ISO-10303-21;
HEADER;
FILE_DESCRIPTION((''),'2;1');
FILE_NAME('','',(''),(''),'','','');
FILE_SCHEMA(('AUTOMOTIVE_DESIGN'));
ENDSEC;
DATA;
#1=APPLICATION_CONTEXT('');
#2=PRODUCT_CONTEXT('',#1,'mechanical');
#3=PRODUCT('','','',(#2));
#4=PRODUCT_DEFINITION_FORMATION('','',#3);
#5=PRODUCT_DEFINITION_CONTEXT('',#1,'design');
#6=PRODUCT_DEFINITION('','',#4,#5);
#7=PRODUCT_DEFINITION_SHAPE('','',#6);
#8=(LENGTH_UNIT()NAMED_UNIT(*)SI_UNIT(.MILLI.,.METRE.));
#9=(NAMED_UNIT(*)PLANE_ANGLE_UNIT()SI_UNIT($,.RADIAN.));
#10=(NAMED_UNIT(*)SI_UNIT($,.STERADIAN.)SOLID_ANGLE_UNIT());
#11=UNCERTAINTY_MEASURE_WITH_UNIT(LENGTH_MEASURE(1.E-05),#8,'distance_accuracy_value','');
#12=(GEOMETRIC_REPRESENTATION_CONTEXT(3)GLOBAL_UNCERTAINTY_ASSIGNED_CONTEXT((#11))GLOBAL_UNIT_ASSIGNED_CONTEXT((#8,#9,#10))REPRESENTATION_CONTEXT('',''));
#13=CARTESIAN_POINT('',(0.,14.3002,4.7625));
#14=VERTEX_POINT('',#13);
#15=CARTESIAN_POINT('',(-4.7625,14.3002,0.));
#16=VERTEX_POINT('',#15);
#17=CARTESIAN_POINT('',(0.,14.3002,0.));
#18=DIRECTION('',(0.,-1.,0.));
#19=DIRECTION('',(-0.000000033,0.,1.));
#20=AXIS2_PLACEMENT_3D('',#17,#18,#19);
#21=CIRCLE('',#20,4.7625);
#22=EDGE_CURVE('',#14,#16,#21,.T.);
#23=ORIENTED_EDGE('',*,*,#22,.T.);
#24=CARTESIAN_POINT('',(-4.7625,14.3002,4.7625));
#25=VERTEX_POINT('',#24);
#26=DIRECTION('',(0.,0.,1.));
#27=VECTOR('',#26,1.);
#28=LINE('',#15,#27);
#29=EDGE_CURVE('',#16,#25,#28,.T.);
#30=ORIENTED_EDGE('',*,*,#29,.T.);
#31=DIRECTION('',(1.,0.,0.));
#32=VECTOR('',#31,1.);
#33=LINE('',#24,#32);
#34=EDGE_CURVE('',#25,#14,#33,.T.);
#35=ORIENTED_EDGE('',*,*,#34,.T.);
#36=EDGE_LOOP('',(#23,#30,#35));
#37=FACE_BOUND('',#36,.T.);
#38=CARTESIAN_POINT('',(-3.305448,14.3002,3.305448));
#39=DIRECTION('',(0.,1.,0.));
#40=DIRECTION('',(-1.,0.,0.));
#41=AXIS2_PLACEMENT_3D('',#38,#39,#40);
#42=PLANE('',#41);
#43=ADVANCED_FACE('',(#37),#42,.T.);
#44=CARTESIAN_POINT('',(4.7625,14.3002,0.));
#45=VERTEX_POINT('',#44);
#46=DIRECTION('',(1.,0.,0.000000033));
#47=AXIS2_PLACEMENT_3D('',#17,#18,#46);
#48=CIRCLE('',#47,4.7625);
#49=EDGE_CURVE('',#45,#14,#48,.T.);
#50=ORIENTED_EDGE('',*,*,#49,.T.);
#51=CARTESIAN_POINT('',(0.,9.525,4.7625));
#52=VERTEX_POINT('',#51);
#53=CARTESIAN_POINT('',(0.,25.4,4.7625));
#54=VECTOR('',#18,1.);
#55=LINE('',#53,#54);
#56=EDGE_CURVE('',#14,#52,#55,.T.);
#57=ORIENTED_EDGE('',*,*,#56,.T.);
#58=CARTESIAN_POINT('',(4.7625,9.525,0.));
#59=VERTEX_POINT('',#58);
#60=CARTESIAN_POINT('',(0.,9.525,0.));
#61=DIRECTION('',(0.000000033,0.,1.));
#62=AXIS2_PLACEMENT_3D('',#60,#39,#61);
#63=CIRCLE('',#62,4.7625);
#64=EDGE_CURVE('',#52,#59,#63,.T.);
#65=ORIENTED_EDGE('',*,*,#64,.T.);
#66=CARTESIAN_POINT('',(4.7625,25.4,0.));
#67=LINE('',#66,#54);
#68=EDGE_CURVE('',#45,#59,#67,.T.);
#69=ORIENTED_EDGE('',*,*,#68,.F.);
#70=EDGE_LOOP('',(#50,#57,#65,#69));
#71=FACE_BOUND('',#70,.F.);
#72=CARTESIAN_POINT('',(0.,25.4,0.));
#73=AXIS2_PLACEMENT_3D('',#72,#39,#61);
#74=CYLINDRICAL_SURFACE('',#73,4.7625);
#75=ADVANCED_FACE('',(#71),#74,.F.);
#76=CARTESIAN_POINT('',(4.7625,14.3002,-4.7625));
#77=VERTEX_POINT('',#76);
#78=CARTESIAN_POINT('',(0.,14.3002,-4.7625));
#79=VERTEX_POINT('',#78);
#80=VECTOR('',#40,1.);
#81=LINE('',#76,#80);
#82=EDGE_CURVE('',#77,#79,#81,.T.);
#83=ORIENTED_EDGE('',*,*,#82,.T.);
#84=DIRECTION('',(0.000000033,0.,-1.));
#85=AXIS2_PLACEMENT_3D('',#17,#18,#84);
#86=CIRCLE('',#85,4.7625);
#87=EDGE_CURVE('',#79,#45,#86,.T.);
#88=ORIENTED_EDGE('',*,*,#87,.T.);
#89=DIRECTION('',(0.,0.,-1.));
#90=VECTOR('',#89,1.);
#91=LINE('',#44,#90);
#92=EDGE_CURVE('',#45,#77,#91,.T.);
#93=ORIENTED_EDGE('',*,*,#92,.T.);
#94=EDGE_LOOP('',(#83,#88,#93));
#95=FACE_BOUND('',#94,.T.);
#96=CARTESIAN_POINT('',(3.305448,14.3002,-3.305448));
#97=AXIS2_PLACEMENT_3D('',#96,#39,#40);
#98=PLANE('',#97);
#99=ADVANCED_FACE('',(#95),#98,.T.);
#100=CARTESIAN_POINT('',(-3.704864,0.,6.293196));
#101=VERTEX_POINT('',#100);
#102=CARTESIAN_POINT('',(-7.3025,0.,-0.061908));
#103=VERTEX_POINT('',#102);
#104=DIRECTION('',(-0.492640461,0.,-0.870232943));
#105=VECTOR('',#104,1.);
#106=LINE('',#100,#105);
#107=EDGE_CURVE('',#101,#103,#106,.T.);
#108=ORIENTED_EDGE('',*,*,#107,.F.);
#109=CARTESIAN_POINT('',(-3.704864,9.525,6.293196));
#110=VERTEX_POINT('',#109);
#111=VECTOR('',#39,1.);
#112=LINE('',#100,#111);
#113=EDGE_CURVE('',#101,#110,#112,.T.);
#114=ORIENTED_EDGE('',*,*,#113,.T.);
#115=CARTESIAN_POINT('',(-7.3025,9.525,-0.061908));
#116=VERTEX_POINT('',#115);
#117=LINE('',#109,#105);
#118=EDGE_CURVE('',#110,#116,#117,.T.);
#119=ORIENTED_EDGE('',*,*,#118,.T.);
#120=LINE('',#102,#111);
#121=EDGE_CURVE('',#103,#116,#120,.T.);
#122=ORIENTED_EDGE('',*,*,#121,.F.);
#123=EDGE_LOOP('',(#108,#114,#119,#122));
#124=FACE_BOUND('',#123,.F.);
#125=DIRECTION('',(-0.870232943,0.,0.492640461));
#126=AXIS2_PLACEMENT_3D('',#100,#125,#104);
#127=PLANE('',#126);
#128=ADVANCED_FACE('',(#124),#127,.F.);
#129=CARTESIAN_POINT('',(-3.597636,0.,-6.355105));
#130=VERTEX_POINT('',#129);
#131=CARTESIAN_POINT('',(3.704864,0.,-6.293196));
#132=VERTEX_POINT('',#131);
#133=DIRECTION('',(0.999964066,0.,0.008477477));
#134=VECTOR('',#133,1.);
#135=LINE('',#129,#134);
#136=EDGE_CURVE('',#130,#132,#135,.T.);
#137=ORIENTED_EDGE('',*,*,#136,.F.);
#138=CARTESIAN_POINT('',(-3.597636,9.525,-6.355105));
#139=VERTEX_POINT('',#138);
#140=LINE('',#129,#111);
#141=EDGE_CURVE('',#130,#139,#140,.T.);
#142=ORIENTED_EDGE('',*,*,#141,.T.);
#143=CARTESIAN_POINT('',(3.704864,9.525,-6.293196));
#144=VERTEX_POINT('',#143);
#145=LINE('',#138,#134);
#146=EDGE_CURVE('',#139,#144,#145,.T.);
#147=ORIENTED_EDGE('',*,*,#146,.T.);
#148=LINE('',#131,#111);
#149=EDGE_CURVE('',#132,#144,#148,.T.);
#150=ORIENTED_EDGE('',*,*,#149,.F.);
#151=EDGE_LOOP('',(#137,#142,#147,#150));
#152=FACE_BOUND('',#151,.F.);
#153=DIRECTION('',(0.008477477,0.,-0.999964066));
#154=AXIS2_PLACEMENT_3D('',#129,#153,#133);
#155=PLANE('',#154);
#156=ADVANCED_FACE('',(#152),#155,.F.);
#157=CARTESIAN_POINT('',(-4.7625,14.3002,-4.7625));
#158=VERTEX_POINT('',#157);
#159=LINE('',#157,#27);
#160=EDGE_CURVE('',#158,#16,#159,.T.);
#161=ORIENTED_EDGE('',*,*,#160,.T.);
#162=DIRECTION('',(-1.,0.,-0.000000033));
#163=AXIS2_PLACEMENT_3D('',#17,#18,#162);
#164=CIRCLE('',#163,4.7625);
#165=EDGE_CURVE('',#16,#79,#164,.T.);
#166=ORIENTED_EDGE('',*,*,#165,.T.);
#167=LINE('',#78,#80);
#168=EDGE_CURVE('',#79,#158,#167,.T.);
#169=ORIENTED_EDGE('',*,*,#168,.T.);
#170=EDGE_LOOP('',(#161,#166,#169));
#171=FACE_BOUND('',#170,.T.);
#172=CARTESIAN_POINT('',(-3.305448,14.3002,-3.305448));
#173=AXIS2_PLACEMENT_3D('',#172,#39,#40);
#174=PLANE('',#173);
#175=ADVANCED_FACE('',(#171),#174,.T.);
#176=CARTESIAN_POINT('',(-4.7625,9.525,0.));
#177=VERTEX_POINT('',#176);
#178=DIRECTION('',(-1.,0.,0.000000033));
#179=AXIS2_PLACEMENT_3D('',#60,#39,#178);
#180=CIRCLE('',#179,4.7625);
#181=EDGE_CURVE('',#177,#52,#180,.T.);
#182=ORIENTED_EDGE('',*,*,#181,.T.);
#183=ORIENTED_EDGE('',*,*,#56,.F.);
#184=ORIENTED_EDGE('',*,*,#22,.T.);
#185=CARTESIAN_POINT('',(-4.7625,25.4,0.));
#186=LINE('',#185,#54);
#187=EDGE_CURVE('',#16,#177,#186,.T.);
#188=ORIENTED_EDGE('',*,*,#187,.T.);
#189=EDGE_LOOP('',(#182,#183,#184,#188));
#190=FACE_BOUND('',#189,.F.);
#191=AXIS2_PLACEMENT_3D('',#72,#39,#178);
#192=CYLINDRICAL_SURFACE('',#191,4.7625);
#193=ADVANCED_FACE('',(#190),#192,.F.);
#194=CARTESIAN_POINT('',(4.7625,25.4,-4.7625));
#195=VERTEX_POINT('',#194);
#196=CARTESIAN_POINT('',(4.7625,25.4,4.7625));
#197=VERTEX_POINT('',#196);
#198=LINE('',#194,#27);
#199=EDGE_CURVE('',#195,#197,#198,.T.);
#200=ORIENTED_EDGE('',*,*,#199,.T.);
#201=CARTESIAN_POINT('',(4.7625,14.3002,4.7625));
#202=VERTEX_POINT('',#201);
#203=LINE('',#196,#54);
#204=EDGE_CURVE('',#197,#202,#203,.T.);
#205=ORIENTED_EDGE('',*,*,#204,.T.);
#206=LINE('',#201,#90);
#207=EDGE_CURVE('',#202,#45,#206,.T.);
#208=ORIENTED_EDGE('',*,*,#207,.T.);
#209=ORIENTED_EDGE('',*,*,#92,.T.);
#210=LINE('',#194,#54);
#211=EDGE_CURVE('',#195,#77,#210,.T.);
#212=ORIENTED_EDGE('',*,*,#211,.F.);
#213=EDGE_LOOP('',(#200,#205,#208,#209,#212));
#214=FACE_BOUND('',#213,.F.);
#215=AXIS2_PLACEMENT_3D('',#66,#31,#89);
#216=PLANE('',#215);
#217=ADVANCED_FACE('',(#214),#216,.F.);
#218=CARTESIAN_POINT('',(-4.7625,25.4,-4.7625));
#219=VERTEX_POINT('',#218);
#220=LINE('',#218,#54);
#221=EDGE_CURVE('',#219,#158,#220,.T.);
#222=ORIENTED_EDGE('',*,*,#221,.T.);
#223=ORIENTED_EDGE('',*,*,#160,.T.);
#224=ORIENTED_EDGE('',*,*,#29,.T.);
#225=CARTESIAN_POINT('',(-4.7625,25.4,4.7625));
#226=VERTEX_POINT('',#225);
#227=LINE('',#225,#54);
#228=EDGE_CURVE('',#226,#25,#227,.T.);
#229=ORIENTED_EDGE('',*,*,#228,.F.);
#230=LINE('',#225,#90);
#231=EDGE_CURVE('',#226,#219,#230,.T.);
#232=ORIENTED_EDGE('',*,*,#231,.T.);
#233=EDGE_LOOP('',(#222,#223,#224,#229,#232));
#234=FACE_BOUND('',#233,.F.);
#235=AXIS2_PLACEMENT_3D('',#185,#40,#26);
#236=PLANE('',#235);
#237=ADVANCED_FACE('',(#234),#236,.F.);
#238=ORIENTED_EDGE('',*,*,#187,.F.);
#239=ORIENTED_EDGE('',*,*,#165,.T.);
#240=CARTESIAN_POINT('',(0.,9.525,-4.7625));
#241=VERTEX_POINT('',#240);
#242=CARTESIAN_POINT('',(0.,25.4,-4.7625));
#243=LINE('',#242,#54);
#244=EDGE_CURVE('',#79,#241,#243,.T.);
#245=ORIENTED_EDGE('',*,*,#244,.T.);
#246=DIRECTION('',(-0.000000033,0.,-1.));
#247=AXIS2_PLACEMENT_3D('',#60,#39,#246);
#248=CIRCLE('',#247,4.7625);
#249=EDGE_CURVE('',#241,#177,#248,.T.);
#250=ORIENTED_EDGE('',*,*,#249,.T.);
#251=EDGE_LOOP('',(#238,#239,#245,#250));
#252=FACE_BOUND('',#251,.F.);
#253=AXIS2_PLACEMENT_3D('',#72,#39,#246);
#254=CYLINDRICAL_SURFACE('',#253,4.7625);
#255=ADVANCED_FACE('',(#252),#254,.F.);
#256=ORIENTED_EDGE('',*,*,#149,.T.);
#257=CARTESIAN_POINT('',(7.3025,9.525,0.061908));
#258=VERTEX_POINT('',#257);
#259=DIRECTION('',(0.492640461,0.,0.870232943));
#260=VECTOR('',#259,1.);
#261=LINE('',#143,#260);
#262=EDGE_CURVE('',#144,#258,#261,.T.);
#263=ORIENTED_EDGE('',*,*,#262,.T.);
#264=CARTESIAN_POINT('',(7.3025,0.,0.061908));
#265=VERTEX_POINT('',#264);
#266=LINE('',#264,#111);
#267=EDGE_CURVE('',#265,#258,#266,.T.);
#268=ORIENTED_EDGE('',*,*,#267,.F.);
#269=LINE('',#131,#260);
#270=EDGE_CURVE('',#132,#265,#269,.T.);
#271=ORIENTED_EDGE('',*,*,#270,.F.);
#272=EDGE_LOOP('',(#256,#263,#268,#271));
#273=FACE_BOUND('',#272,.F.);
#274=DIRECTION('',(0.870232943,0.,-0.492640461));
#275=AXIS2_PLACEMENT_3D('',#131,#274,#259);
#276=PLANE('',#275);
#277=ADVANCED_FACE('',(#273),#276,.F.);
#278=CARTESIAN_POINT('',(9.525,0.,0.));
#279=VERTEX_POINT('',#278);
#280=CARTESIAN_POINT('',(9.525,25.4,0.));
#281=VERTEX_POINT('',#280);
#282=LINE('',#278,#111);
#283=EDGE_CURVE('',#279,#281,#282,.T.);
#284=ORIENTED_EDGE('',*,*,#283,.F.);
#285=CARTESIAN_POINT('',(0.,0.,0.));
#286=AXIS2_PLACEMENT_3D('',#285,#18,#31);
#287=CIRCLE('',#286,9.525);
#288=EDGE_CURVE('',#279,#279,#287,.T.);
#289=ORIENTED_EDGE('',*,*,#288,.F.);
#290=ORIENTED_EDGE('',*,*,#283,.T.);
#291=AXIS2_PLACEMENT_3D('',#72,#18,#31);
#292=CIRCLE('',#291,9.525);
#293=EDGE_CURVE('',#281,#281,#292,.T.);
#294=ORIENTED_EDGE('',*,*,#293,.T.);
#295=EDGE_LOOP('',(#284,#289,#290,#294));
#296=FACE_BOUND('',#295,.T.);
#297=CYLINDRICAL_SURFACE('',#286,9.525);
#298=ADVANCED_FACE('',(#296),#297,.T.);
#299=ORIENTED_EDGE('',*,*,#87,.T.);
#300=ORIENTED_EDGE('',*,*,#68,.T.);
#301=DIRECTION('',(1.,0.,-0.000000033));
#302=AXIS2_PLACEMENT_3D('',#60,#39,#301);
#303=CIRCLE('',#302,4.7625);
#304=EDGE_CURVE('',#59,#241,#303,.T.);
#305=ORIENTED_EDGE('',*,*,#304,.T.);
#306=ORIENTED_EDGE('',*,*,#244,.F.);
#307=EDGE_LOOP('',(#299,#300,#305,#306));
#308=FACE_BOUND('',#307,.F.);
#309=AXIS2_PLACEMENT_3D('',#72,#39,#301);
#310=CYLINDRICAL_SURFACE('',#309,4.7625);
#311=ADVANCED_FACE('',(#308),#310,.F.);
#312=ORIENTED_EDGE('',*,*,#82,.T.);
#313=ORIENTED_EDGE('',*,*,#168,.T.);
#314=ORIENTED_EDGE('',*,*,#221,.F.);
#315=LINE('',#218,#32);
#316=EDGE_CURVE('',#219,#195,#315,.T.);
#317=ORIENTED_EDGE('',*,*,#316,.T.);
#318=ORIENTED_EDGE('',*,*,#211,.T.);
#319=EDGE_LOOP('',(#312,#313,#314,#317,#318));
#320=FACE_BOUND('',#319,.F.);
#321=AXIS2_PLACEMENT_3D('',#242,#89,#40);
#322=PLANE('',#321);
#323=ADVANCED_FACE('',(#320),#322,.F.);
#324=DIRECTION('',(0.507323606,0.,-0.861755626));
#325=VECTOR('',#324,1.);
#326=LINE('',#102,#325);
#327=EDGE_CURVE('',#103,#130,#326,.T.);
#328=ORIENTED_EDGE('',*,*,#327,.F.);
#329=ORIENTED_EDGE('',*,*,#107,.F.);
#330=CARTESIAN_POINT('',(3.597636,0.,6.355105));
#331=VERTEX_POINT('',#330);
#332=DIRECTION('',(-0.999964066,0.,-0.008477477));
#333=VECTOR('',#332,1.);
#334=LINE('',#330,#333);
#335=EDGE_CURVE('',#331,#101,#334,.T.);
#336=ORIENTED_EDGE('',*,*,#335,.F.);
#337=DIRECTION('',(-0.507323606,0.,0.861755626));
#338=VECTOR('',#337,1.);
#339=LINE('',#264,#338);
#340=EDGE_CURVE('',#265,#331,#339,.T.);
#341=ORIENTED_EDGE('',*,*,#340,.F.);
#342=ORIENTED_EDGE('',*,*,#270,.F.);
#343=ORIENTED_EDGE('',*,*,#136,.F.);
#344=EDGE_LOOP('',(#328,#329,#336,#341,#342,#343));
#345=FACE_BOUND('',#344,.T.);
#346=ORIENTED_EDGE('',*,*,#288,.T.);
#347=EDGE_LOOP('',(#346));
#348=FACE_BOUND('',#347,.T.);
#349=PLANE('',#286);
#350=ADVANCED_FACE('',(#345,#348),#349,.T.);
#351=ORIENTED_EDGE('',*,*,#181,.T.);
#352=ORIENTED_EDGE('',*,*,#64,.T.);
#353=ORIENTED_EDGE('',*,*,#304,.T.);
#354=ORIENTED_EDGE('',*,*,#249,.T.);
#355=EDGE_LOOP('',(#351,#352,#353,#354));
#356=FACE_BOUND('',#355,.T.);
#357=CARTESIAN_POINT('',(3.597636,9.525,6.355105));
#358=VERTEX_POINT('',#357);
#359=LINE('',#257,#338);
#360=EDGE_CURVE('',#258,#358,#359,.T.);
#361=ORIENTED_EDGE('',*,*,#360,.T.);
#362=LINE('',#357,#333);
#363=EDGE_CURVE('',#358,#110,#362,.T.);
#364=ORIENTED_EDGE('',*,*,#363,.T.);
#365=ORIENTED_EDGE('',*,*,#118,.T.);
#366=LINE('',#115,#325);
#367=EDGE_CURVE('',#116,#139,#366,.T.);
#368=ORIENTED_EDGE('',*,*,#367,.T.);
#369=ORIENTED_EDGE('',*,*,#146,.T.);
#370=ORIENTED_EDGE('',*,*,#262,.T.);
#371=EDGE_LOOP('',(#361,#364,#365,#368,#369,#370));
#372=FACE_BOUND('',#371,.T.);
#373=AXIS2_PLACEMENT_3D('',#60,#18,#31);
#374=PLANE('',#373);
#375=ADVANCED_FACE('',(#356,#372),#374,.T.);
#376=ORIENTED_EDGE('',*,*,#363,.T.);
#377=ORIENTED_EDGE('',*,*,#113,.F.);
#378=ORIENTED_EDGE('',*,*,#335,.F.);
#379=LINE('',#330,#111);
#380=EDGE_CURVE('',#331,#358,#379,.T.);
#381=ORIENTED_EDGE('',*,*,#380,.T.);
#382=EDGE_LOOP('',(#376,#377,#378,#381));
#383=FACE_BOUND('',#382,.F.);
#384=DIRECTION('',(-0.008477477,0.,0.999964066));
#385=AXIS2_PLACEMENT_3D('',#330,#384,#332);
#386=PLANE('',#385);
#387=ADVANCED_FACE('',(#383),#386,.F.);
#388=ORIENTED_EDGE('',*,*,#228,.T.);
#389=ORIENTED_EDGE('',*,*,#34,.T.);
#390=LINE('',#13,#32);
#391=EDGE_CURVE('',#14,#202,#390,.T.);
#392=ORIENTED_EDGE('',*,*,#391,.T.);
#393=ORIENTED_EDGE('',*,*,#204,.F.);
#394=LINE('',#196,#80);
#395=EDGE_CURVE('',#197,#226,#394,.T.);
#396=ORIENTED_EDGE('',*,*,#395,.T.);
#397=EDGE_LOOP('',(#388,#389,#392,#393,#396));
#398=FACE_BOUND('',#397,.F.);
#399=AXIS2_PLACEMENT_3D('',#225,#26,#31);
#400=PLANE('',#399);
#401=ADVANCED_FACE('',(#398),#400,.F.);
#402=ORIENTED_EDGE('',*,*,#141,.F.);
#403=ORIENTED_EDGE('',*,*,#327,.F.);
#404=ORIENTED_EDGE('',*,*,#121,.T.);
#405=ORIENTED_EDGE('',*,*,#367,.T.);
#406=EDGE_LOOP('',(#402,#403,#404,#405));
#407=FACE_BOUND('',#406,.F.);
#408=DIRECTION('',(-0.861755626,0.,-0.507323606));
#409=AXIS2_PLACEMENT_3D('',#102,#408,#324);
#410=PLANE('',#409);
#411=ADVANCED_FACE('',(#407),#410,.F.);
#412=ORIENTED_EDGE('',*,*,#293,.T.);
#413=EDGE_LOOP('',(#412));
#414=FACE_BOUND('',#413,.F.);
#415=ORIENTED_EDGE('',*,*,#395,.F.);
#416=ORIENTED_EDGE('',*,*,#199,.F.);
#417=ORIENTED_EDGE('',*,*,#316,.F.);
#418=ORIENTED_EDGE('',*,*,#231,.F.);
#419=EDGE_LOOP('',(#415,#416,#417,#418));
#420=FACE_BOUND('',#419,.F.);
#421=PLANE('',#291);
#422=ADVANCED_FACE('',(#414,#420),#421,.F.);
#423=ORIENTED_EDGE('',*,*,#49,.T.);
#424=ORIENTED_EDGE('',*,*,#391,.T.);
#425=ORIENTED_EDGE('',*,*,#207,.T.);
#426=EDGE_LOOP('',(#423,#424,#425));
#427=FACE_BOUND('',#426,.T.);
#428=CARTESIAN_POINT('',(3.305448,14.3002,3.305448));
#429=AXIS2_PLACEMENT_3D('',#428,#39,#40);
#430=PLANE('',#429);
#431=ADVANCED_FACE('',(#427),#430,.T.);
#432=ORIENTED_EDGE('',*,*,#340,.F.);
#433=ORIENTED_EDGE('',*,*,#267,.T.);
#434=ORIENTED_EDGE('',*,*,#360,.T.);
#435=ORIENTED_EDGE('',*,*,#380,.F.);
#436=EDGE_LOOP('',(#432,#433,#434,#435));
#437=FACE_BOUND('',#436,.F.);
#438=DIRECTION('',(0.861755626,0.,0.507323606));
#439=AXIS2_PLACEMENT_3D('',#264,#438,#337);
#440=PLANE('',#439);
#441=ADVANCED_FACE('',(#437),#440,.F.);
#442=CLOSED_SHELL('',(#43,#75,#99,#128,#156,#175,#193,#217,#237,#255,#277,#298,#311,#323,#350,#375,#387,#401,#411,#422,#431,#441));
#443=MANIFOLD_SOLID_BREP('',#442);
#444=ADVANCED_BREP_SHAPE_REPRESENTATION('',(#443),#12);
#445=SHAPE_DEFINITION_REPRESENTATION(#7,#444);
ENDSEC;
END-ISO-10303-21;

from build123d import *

# Parameters (mm, degrees)
F0_R     = 9.525
F1_DEPTH = 25.4
F3_DEPTH = 25.401
F4_DEPTH = 11.0998
F6_DEPTH = 9.525


with BuildPart() as f1:
    # F0 (on Front) → F1 (new body)
    with BuildSketch(Plane.XZ):
        Circle(F0_R)
    extrude(amount=-F1_DEPTH)

    # F2 (on face) → F3 (cut, through all)
    with BuildSketch(Plane(origin=(0, 25.4, 0), x_dir=(-1, 0, 0), z_dir=(0, 1, 0))):
        with BuildLine():
            ThreePointArc((-4.7625, 0), (-3.367596, -3.367596), (0, -4.7625))
            ThreePointArc((0, -4.7625), (3.367596, -3.367596), (4.7625, 0))
            ThreePointArc((4.7625, 0), (3.367596, 3.367596), (0, 4.7625))
            ThreePointArc((0, 4.7625), (-3.367596, 3.367596), (-4.7625, 0))
        make_face()
    extrude(amount=-F3_DEPTH, mode=Mode.SUBTRACT)

    # F2 (on face) → F4 (cut)
    with BuildSketch(Plane(origin=(0, 25.4, 0), x_dir=(-1, 0, 0), z_dir=(0, 1, 0))):
        with BuildLine():
            Line((0, -4.7625), (4.7625, -4.7625))
            Line((4.7625, -4.7625), (4.7625, 0))
            ThreePointArc((4.7625, 0), (3.367596, -3.367596), (0, -4.7625))
        make_face()
        with BuildLine():
            Line((-4.7625, -4.7625), (0, -4.7625))
            ThreePointArc((0, -4.7625), (-3.367596, -3.367596), (-4.7625, 0))
            Line((-4.7625, 0), (-4.7625, -4.7625))
        make_face()
        with BuildLine():
            ThreePointArc((0, 4.7625), (3.367596, 3.367596), (4.7625, 0))
            Line((4.7625, 0), (4.7625, 4.7625))
            Line((4.7625, 4.7625), (0, 4.7625))
        make_face()
        with BuildLine():
            Line((-4.7625, 4.7625), (-4.7625, 0))
            ThreePointArc((-4.7625, 0), (-3.367596, 3.367596), (0, 4.7625))
            Line((0, 4.7625), (-4.7625, 4.7625))
        make_face()
    extrude(amount=-F4_DEPTH, mode=Mode.SUBTRACT)

    # F5 (on face) → F6 (cut)
    with BuildSketch(Plane.XZ):
        Polygon((3.704864, -6.293196), (7.3025, 0.061908), (3.597636, 6.355105), (-3.704864, 6.293196), (-7.3025, -0.061908), (-3.597636, -6.355105), align=None)
    extrude(amount=-F6_DEPTH, mode=Mode.SUBTRACT)


solid = f1.part
